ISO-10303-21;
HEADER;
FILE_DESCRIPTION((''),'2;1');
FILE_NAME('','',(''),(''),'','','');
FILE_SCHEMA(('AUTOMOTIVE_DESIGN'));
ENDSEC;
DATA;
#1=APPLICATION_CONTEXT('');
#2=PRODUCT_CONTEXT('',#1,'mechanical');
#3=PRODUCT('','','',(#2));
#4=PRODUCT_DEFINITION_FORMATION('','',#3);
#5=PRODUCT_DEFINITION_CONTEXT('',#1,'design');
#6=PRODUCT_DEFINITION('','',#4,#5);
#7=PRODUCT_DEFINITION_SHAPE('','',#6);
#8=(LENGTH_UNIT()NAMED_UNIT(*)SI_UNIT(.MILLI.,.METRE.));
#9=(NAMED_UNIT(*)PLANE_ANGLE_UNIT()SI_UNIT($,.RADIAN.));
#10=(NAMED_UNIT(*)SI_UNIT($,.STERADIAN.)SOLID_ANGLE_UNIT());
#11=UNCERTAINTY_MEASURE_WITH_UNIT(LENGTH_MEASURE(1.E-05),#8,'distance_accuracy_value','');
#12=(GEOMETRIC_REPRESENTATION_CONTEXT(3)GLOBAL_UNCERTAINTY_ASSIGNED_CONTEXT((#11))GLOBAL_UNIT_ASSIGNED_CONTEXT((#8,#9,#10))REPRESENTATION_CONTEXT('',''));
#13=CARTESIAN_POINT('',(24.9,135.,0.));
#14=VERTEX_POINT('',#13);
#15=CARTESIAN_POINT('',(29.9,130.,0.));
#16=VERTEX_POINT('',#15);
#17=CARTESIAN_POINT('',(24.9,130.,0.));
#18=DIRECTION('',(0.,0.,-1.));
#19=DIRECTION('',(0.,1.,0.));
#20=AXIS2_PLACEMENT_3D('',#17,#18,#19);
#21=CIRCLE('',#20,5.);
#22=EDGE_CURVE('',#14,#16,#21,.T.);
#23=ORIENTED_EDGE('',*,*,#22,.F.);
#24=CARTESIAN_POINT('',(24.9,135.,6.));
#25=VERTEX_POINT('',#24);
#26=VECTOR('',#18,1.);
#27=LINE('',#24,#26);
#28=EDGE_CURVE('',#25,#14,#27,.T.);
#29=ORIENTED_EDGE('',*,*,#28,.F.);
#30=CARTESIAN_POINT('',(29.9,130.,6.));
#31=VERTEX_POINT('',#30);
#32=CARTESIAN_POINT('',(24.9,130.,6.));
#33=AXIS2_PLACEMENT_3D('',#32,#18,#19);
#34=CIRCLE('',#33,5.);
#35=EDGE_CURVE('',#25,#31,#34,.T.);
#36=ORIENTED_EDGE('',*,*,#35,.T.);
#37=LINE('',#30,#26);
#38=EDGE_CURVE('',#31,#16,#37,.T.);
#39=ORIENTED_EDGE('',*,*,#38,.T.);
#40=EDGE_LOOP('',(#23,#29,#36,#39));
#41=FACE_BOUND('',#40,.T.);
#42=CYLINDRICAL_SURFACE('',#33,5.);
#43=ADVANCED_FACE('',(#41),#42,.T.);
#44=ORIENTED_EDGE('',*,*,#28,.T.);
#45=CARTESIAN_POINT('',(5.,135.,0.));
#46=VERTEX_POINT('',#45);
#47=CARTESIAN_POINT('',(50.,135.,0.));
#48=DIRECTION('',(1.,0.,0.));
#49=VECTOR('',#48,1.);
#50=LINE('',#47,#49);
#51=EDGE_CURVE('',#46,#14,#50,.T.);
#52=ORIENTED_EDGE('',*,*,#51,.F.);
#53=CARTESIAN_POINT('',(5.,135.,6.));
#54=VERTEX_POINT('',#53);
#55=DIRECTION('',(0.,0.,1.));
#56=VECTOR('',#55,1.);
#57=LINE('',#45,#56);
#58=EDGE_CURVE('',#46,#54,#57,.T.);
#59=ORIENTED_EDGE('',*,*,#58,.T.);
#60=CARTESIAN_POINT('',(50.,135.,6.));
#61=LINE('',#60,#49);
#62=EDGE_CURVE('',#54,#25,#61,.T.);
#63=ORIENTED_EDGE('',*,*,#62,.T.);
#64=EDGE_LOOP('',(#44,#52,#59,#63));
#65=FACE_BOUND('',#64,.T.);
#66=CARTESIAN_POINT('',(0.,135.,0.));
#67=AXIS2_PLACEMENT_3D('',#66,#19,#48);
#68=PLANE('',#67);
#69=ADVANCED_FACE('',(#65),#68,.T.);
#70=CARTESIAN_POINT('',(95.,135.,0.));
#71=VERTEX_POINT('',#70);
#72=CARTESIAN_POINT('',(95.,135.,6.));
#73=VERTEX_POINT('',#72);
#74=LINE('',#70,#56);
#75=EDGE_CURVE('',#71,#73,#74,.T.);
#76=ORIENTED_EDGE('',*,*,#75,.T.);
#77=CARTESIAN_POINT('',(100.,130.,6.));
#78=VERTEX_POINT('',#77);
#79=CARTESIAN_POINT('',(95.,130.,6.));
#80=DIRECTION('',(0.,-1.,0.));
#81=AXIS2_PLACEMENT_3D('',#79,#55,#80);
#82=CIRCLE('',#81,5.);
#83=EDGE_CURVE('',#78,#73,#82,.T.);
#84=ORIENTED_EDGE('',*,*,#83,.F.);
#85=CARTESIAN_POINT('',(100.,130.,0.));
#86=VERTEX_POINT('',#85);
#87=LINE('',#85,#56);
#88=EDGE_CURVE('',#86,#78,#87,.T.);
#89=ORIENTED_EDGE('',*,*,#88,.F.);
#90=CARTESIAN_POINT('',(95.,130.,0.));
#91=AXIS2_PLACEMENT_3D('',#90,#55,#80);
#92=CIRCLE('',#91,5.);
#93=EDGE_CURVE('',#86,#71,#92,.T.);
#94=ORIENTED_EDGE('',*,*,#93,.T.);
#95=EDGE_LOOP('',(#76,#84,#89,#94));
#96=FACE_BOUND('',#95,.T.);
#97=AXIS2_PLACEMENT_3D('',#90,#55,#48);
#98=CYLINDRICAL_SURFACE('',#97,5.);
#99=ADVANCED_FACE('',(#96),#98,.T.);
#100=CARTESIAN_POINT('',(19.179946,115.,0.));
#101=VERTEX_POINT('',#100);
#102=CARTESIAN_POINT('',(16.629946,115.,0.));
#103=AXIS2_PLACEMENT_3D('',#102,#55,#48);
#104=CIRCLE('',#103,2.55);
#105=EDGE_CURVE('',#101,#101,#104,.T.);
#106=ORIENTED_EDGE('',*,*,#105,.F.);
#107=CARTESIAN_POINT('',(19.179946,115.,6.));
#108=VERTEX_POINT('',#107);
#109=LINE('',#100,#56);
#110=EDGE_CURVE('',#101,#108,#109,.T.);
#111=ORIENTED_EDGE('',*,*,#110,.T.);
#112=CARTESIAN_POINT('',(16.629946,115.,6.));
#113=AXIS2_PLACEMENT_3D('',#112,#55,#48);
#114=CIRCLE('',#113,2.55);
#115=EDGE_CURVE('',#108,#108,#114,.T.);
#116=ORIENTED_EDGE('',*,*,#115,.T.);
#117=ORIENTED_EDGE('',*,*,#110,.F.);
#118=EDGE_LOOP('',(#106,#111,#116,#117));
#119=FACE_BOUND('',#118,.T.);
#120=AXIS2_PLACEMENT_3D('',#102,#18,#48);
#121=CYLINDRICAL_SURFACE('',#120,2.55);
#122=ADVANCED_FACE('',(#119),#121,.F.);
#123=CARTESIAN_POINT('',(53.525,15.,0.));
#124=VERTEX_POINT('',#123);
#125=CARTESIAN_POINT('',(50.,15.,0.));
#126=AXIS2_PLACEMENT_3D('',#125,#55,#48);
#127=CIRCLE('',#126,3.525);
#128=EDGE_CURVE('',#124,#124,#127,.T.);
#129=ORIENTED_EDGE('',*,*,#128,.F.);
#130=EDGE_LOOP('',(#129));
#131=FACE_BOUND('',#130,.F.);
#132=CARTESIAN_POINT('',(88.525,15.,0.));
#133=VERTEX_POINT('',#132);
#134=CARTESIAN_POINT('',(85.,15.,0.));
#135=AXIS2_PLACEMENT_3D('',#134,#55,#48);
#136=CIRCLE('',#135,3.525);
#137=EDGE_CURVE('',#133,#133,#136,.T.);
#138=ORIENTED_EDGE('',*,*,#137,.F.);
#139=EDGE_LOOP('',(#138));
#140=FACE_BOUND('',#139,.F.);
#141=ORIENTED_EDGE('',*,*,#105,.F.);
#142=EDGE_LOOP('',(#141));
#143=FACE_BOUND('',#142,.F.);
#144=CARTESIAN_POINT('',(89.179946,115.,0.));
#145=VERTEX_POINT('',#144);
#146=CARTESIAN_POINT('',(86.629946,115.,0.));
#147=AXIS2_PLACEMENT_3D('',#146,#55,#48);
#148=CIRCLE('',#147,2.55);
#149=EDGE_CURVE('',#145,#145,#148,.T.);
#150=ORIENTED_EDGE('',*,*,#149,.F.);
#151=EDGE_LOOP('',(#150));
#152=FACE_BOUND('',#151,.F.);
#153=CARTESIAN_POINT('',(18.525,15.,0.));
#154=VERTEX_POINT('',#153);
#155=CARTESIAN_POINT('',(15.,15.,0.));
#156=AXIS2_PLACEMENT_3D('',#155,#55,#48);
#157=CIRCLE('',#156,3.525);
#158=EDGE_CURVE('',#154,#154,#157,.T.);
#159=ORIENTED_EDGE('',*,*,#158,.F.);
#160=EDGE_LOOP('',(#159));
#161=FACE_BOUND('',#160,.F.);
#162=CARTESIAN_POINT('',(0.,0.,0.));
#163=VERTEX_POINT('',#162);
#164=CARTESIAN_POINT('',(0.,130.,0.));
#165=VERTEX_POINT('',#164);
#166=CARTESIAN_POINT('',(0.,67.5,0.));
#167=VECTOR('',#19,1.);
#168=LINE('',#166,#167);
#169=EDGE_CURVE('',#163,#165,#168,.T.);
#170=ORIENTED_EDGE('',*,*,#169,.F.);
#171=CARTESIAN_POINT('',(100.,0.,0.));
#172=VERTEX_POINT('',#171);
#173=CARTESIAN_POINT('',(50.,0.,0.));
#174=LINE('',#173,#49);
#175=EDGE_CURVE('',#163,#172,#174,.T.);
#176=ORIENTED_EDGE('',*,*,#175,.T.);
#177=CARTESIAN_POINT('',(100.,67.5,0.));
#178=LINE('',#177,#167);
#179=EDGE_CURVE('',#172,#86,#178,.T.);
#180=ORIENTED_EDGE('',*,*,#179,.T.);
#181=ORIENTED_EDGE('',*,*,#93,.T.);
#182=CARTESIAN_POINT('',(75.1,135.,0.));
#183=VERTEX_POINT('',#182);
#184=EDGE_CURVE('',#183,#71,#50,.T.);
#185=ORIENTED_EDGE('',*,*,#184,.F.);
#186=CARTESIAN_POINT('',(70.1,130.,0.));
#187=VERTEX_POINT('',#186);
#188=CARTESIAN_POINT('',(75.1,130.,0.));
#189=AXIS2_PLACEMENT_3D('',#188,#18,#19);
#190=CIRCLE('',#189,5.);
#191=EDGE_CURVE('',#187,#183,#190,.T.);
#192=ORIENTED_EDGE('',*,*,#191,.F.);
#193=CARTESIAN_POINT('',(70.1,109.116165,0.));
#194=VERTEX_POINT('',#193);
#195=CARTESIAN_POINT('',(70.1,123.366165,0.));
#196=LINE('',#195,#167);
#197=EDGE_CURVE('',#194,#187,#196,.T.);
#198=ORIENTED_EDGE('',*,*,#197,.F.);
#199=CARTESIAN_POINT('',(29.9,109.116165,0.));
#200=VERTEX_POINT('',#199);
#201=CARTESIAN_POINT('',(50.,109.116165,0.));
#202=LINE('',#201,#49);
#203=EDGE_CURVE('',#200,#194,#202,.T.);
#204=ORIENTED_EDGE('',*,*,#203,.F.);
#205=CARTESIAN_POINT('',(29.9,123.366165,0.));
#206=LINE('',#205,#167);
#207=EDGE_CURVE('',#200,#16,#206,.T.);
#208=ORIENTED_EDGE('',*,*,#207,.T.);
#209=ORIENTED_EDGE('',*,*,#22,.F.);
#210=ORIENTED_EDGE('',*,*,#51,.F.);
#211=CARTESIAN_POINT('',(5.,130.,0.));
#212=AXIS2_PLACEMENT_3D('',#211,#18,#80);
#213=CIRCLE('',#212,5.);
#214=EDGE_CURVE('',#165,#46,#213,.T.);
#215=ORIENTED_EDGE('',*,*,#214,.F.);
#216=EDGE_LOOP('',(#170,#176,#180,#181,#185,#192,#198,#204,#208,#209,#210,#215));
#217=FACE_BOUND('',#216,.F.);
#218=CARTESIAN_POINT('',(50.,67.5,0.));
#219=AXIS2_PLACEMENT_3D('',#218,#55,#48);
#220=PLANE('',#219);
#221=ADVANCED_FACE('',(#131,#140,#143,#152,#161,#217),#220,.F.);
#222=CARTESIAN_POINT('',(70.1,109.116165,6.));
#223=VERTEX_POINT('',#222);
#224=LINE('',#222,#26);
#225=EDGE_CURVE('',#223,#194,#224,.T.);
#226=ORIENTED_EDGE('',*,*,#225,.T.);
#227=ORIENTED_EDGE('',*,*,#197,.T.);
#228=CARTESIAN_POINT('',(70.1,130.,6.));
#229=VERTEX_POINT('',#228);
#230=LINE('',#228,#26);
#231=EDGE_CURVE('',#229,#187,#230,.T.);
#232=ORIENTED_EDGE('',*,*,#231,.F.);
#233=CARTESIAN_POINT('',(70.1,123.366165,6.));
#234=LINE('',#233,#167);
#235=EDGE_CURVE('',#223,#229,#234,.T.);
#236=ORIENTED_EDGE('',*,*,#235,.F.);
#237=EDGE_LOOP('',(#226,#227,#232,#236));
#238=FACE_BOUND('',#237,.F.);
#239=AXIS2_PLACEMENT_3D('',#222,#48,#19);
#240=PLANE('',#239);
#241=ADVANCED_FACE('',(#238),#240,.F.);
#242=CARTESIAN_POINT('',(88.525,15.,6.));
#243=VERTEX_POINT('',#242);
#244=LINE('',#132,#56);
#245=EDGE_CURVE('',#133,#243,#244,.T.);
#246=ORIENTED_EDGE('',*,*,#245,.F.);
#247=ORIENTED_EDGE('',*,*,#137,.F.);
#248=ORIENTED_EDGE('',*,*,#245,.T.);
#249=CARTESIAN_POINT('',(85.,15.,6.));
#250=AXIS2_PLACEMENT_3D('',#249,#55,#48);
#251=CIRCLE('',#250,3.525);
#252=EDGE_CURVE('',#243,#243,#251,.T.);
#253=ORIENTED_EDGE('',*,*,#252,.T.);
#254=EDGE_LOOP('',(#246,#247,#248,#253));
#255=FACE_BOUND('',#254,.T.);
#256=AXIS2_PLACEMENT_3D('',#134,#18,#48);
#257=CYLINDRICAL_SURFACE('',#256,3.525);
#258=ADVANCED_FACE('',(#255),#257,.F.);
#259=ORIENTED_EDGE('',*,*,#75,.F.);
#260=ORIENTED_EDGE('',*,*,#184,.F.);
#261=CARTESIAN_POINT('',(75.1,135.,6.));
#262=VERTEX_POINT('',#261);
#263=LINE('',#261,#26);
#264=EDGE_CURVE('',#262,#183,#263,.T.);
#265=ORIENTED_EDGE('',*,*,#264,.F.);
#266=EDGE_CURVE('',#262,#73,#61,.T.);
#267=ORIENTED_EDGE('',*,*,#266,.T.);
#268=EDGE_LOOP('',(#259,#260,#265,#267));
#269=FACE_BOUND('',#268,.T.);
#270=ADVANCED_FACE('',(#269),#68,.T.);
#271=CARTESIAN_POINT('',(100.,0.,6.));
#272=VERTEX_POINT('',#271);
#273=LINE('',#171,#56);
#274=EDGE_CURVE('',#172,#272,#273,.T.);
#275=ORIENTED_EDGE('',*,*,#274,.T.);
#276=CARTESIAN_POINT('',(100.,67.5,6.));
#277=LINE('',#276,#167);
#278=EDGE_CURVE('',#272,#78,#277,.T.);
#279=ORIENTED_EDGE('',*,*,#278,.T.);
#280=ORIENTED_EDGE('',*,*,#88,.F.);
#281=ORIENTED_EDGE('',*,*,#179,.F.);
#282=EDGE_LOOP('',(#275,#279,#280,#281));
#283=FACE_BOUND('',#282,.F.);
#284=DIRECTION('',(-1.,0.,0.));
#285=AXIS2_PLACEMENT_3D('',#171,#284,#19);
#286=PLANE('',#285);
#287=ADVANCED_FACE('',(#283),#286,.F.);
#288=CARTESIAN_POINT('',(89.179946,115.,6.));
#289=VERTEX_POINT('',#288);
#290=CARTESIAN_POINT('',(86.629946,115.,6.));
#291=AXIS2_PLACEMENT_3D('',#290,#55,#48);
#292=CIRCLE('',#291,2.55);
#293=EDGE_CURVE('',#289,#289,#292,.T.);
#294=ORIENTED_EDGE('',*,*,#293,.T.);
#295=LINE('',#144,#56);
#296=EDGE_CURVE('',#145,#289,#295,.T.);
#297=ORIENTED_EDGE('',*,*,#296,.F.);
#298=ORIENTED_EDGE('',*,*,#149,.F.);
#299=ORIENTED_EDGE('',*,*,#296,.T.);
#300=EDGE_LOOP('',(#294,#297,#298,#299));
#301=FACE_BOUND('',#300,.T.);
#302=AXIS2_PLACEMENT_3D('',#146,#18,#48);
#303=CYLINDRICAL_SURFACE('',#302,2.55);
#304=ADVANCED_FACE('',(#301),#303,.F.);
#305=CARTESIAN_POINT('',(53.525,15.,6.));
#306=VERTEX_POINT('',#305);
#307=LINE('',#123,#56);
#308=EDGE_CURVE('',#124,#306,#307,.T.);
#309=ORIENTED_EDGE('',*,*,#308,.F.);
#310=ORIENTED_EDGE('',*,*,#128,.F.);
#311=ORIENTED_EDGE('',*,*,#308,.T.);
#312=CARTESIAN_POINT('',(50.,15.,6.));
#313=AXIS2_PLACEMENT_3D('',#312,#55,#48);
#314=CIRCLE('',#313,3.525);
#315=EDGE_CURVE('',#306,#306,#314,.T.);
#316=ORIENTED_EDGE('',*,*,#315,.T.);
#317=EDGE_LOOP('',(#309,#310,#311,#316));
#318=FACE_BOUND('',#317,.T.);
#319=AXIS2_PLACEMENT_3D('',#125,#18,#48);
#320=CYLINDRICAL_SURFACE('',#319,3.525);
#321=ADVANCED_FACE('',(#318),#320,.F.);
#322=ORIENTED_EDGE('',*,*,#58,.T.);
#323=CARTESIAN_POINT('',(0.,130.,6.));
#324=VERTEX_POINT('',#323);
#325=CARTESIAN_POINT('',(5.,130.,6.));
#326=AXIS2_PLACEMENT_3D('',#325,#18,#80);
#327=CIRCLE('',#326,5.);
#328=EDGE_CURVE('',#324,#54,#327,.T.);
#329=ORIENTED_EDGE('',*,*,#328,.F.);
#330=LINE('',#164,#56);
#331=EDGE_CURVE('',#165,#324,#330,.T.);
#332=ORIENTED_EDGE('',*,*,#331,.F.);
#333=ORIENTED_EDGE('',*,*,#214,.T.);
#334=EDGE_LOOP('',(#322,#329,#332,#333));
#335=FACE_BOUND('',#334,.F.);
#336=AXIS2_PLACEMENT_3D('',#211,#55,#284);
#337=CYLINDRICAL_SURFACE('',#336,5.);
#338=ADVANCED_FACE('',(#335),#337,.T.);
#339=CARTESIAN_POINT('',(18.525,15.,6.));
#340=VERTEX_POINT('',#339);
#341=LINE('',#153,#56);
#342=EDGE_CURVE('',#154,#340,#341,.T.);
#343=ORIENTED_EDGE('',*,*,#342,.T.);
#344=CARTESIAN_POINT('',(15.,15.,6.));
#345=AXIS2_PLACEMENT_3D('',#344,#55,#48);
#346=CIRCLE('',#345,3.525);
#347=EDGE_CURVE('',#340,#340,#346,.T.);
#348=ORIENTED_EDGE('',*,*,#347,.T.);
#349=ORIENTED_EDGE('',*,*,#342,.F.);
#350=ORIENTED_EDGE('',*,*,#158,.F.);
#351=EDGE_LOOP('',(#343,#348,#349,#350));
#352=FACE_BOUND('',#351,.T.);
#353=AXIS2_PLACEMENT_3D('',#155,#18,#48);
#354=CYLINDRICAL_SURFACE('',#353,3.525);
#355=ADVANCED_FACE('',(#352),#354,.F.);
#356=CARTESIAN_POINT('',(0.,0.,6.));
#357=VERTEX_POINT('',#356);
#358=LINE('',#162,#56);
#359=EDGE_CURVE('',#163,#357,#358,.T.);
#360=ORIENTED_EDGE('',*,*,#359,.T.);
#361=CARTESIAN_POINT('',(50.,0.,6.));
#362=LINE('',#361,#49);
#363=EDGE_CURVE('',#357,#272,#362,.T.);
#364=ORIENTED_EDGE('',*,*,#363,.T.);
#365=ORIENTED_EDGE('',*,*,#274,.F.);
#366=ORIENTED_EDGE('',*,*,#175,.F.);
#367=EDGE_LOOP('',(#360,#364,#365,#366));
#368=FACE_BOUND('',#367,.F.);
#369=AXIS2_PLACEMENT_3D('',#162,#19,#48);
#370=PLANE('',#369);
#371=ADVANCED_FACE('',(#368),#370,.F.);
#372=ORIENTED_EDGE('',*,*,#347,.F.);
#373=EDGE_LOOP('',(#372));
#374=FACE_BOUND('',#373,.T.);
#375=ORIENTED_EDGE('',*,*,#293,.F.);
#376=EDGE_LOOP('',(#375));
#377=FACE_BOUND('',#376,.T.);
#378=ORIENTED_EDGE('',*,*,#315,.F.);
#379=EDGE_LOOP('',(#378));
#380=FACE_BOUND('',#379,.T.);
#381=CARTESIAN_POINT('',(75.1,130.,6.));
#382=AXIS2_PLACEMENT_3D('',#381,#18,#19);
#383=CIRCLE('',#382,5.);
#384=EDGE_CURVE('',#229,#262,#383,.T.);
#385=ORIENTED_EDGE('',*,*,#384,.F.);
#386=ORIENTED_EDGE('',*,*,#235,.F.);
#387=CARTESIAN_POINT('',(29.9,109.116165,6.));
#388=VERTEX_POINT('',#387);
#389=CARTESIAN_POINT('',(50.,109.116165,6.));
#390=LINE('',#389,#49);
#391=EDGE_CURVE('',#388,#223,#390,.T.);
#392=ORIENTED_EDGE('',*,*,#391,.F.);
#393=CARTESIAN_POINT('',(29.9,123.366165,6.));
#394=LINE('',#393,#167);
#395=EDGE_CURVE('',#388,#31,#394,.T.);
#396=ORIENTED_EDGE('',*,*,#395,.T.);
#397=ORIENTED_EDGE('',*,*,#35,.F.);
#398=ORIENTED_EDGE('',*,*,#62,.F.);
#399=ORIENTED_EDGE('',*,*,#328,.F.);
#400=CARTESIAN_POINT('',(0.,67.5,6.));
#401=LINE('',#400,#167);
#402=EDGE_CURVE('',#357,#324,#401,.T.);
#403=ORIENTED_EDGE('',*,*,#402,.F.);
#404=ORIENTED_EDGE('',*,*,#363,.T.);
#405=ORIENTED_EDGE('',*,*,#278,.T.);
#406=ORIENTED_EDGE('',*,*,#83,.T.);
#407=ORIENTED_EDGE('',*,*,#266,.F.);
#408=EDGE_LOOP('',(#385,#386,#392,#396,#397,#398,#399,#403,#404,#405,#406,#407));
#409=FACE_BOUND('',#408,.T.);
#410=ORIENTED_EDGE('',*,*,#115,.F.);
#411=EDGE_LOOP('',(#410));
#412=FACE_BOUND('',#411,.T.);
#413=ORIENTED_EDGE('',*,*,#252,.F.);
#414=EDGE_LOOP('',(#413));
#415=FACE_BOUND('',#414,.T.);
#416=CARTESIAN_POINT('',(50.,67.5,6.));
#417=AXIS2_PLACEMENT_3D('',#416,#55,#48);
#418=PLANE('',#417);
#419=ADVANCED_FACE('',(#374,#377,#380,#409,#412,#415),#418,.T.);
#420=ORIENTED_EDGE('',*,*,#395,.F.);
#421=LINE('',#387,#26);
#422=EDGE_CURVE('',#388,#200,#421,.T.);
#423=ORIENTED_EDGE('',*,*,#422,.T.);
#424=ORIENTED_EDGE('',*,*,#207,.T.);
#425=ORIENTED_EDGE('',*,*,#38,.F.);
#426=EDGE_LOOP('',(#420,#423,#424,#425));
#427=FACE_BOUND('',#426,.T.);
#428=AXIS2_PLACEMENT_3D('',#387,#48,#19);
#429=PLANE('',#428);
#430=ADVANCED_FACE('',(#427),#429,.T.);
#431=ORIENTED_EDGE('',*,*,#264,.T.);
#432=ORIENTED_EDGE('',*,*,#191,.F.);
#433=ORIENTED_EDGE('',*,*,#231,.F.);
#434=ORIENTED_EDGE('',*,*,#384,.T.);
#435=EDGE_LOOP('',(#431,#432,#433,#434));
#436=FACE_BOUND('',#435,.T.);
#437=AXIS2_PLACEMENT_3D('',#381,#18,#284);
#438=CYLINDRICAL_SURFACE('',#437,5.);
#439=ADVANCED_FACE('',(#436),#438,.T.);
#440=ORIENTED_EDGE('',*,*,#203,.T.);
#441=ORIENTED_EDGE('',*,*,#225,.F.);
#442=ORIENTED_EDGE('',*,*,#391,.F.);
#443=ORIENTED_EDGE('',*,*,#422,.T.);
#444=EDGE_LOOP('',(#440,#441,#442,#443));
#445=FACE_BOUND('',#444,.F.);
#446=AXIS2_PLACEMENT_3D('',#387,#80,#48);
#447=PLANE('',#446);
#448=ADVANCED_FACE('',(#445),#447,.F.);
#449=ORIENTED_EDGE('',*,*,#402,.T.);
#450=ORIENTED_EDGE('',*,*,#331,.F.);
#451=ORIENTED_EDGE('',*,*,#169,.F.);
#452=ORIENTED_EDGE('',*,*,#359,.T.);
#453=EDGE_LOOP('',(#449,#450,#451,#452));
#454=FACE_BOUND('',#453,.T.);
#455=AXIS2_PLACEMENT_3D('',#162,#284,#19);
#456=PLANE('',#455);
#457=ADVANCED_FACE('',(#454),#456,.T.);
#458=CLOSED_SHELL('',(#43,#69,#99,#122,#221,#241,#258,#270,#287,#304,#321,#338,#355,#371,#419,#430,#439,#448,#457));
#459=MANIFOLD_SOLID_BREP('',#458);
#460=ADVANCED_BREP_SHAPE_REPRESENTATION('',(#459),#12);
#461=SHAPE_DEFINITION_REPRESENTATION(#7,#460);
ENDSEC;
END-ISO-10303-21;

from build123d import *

# Parameters (mm, degrees)
SKETCH_1_W   = 100
SKETCH_1_H   = 135
SKETCH_1_R   = 3.525
SKETCH_1_R_2 = 2.55
PAD_DEPTH    = 6
SKETCH_W     = 40.2
SKETCH_H     = 28.5
POCKET_DEPTH = 6
FILLET_R     = 5


with BuildPart() as part:
    # Sketch_1 → Pad (new body)
    with BuildSketch(Plane.XY):
        with Locations((50, 67.5)):
            Rectangle(SKETCH_1_W, SKETCH_1_H)
        with Locations((15, 15)):
            Circle(SKETCH_1_R, mode=Mode.SUBTRACT)
        with Locations((50, 15)):
            Circle(SKETCH_1_R, mode=Mode.SUBTRACT)
        with Locations((85, 15)):
            Circle(SKETCH_1_R, mode=Mode.SUBTRACT)
        with Locations((16.629946, 115)):
            Circle(SKETCH_1_R_2, mode=Mode.SUBTRACT)
        with Locations((86.629946, 115)):
            Circle(SKETCH_1_R_2, mode=Mode.SUBTRACT)
    extrude(amount=PAD_DEPTH)

    # Sketch (on Face11 of Pad) → Pocket (cut)
    with BuildSketch(Plane.XY.offset(6)):
        with Locations((50, 123.366165)):
            Rectangle(SKETCH_W, SKETCH_H)
    extrude(amount=-POCKET_DEPTH, mode=Mode.SUBTRACT)

    # Fillet
    fillet_edges = [part.edges().sort_by_distance(p)[0] for p in [
        (0, 135, 3),
        (29.9, 135, 3),
        (70.1, 135, 3),
        (100, 135, 3),
    ]]
    fillet(fillet_edges, radius=FILLET_R)


solid = part.part
